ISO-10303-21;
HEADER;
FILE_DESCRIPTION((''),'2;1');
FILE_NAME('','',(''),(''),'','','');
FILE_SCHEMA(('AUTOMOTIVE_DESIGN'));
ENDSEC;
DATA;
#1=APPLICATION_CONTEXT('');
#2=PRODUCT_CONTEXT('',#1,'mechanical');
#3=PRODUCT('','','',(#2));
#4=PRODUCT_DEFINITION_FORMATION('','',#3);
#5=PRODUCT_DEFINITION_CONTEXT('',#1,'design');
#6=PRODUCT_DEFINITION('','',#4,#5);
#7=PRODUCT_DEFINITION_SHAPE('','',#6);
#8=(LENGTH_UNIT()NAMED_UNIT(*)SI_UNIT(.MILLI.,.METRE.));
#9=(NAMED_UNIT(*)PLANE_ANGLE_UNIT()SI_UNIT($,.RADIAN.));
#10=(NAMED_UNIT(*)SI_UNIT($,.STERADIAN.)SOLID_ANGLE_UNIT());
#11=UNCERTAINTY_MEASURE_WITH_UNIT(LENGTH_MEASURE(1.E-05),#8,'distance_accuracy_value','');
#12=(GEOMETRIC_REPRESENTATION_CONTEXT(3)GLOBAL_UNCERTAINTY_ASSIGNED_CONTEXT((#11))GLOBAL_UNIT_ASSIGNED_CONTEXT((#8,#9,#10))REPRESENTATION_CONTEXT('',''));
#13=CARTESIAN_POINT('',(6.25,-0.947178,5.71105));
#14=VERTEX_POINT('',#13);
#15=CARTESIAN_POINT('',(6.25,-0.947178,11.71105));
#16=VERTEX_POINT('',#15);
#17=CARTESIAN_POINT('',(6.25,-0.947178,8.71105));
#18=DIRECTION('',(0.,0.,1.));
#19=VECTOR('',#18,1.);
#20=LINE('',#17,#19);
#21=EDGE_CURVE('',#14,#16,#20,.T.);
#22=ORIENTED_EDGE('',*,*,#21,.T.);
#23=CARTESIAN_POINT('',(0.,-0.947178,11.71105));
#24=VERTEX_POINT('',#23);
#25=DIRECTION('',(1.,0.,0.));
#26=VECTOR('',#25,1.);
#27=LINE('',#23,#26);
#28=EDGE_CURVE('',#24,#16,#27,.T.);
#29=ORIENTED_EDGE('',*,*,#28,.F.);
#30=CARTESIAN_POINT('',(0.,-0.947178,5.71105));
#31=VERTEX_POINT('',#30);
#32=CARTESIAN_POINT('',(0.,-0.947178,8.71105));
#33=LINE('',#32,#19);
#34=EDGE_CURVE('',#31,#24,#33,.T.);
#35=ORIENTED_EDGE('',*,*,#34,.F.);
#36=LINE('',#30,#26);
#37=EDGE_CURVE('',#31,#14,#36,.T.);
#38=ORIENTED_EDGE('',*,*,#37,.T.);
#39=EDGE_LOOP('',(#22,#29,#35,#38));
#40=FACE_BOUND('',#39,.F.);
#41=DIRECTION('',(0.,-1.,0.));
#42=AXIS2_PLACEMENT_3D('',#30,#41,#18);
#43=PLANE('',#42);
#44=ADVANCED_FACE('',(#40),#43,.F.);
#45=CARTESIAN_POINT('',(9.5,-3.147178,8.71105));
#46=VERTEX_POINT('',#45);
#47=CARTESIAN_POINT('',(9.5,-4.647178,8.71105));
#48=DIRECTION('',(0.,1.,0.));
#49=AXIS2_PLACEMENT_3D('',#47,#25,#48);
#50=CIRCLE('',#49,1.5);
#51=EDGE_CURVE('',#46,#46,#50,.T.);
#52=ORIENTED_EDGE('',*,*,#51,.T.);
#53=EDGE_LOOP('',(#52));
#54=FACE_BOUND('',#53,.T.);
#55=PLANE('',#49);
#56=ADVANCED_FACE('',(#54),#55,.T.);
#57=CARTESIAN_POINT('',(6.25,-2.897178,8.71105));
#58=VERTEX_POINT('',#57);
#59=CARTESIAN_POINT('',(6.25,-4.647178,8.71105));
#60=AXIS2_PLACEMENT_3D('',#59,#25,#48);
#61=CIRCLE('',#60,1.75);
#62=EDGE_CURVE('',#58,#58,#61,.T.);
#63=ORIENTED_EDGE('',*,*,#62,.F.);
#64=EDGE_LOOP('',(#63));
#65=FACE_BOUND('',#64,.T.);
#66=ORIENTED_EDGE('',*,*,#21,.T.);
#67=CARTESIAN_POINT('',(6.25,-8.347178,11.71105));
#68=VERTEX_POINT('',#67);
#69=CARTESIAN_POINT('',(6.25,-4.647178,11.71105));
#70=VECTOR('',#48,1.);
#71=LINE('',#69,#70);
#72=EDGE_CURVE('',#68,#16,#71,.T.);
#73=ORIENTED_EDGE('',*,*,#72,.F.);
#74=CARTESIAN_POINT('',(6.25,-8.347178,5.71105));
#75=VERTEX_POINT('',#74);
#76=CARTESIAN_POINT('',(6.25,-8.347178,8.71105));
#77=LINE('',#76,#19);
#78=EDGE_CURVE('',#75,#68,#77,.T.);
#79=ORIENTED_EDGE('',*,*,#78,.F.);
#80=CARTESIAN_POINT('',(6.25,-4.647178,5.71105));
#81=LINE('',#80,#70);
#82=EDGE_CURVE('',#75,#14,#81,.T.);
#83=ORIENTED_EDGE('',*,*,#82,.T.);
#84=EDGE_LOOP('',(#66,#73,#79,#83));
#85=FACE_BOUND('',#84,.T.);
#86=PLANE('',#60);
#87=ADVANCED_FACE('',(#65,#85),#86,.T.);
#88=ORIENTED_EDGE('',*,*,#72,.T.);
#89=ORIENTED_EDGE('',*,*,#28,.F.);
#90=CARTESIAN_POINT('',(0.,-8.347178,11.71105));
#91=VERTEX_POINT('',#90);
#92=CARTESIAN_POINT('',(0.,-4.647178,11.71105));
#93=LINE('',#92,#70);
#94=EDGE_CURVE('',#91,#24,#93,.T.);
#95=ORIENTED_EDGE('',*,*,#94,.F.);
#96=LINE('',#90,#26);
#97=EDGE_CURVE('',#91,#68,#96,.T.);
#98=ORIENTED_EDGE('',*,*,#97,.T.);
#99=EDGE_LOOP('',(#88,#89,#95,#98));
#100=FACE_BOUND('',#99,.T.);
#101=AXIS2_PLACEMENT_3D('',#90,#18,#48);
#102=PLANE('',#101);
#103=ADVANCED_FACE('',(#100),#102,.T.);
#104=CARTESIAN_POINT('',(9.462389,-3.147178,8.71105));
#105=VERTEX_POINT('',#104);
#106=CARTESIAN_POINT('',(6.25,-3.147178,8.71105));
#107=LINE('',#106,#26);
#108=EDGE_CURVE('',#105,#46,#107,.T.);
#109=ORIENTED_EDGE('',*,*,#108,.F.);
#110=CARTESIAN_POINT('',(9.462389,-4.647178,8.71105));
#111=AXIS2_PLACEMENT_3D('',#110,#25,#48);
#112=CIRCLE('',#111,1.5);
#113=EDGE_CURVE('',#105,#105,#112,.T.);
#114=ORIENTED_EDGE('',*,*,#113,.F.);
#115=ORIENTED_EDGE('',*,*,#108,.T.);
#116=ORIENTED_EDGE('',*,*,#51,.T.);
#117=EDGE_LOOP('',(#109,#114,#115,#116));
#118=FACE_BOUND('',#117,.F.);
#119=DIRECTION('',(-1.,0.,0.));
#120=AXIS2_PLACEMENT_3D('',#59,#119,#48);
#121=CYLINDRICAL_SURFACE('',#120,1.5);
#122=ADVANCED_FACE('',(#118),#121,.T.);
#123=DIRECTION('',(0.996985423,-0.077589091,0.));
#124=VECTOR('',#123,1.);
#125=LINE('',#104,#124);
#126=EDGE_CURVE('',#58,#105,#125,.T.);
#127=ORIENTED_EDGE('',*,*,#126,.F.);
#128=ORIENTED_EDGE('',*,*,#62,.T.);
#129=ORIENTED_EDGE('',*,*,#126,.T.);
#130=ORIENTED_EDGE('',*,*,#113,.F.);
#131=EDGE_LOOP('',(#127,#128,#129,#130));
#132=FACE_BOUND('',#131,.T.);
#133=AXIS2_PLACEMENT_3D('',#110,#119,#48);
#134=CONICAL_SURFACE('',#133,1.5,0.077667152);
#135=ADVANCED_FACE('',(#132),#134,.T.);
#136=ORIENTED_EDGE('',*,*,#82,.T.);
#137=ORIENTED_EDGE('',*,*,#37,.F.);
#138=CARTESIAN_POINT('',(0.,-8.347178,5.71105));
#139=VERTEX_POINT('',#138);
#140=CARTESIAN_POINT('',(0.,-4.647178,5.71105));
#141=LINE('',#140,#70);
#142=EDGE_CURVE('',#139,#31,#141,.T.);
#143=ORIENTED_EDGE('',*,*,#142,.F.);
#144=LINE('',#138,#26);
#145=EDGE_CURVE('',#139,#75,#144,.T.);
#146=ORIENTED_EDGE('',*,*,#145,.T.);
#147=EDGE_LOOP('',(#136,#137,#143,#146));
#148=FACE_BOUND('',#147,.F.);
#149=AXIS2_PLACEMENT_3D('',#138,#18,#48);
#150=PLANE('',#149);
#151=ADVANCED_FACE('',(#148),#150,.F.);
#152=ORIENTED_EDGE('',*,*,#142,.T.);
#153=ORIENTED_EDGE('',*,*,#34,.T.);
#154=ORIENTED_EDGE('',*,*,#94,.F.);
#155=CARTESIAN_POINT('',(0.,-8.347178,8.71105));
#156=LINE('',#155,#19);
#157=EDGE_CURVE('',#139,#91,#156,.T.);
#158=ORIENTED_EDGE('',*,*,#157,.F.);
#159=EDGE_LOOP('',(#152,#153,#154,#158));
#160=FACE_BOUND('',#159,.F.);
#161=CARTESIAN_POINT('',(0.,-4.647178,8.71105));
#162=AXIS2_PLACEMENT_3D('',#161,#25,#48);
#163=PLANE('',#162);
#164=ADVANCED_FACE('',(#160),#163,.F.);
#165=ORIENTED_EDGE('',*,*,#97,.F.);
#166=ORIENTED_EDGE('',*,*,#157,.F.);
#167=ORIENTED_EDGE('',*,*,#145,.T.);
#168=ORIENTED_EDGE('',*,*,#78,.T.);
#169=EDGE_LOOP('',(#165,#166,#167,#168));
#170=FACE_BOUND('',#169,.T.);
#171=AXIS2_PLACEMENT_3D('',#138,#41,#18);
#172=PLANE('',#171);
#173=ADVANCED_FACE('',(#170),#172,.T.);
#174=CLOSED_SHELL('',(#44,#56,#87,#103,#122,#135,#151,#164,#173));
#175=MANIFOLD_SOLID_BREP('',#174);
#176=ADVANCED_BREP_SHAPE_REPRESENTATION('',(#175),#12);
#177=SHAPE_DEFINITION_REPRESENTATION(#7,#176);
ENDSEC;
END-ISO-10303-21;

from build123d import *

# Parameters (mm, degrees)
SKETCH003_W   = 7.4
SKETCH003_H   = 6
PAD003_DEPTH  = 6.25
SKETCH004_R   = 1.5
PAD004_DEPTH  = 3.25
CHAMFER_ANGLE = 85.55
CHAMFER_SIZE  = 0.25


with BuildPart() as part:
    # Sketch003 → Pad003 (new body)
    with BuildSketch(Plane.YZ):
        with Locations((-4.647178, 8.71105)):
            Rectangle(SKETCH003_W, SKETCH003_H)
    extrude(amount=PAD003_DEPTH)

    # Sketch004 (on Face6 of Pad003) → Pad004 (join)
    with BuildSketch(Plane.YZ.offset(6.25)):
        with Locations((-4.647178, 8.71105)):
            Circle(SKETCH004_R)
    extrude(amount=PAD004_DEPTH)

    # Chamfer
    chamfer_edges = [part.edges().sort_by_distance(p)[0] for p in [
        (6.25, -6.147178, 8.71105),
    ]]
    chamfer_side = part.faces().sort_by_distance((6.25, -8.25191, 8.71105))[0]
    chamfer(chamfer_edges, length=CHAMFER_SIZE, angle=CHAMFER_ANGLE, reference=chamfer_side)


solid = part.part
